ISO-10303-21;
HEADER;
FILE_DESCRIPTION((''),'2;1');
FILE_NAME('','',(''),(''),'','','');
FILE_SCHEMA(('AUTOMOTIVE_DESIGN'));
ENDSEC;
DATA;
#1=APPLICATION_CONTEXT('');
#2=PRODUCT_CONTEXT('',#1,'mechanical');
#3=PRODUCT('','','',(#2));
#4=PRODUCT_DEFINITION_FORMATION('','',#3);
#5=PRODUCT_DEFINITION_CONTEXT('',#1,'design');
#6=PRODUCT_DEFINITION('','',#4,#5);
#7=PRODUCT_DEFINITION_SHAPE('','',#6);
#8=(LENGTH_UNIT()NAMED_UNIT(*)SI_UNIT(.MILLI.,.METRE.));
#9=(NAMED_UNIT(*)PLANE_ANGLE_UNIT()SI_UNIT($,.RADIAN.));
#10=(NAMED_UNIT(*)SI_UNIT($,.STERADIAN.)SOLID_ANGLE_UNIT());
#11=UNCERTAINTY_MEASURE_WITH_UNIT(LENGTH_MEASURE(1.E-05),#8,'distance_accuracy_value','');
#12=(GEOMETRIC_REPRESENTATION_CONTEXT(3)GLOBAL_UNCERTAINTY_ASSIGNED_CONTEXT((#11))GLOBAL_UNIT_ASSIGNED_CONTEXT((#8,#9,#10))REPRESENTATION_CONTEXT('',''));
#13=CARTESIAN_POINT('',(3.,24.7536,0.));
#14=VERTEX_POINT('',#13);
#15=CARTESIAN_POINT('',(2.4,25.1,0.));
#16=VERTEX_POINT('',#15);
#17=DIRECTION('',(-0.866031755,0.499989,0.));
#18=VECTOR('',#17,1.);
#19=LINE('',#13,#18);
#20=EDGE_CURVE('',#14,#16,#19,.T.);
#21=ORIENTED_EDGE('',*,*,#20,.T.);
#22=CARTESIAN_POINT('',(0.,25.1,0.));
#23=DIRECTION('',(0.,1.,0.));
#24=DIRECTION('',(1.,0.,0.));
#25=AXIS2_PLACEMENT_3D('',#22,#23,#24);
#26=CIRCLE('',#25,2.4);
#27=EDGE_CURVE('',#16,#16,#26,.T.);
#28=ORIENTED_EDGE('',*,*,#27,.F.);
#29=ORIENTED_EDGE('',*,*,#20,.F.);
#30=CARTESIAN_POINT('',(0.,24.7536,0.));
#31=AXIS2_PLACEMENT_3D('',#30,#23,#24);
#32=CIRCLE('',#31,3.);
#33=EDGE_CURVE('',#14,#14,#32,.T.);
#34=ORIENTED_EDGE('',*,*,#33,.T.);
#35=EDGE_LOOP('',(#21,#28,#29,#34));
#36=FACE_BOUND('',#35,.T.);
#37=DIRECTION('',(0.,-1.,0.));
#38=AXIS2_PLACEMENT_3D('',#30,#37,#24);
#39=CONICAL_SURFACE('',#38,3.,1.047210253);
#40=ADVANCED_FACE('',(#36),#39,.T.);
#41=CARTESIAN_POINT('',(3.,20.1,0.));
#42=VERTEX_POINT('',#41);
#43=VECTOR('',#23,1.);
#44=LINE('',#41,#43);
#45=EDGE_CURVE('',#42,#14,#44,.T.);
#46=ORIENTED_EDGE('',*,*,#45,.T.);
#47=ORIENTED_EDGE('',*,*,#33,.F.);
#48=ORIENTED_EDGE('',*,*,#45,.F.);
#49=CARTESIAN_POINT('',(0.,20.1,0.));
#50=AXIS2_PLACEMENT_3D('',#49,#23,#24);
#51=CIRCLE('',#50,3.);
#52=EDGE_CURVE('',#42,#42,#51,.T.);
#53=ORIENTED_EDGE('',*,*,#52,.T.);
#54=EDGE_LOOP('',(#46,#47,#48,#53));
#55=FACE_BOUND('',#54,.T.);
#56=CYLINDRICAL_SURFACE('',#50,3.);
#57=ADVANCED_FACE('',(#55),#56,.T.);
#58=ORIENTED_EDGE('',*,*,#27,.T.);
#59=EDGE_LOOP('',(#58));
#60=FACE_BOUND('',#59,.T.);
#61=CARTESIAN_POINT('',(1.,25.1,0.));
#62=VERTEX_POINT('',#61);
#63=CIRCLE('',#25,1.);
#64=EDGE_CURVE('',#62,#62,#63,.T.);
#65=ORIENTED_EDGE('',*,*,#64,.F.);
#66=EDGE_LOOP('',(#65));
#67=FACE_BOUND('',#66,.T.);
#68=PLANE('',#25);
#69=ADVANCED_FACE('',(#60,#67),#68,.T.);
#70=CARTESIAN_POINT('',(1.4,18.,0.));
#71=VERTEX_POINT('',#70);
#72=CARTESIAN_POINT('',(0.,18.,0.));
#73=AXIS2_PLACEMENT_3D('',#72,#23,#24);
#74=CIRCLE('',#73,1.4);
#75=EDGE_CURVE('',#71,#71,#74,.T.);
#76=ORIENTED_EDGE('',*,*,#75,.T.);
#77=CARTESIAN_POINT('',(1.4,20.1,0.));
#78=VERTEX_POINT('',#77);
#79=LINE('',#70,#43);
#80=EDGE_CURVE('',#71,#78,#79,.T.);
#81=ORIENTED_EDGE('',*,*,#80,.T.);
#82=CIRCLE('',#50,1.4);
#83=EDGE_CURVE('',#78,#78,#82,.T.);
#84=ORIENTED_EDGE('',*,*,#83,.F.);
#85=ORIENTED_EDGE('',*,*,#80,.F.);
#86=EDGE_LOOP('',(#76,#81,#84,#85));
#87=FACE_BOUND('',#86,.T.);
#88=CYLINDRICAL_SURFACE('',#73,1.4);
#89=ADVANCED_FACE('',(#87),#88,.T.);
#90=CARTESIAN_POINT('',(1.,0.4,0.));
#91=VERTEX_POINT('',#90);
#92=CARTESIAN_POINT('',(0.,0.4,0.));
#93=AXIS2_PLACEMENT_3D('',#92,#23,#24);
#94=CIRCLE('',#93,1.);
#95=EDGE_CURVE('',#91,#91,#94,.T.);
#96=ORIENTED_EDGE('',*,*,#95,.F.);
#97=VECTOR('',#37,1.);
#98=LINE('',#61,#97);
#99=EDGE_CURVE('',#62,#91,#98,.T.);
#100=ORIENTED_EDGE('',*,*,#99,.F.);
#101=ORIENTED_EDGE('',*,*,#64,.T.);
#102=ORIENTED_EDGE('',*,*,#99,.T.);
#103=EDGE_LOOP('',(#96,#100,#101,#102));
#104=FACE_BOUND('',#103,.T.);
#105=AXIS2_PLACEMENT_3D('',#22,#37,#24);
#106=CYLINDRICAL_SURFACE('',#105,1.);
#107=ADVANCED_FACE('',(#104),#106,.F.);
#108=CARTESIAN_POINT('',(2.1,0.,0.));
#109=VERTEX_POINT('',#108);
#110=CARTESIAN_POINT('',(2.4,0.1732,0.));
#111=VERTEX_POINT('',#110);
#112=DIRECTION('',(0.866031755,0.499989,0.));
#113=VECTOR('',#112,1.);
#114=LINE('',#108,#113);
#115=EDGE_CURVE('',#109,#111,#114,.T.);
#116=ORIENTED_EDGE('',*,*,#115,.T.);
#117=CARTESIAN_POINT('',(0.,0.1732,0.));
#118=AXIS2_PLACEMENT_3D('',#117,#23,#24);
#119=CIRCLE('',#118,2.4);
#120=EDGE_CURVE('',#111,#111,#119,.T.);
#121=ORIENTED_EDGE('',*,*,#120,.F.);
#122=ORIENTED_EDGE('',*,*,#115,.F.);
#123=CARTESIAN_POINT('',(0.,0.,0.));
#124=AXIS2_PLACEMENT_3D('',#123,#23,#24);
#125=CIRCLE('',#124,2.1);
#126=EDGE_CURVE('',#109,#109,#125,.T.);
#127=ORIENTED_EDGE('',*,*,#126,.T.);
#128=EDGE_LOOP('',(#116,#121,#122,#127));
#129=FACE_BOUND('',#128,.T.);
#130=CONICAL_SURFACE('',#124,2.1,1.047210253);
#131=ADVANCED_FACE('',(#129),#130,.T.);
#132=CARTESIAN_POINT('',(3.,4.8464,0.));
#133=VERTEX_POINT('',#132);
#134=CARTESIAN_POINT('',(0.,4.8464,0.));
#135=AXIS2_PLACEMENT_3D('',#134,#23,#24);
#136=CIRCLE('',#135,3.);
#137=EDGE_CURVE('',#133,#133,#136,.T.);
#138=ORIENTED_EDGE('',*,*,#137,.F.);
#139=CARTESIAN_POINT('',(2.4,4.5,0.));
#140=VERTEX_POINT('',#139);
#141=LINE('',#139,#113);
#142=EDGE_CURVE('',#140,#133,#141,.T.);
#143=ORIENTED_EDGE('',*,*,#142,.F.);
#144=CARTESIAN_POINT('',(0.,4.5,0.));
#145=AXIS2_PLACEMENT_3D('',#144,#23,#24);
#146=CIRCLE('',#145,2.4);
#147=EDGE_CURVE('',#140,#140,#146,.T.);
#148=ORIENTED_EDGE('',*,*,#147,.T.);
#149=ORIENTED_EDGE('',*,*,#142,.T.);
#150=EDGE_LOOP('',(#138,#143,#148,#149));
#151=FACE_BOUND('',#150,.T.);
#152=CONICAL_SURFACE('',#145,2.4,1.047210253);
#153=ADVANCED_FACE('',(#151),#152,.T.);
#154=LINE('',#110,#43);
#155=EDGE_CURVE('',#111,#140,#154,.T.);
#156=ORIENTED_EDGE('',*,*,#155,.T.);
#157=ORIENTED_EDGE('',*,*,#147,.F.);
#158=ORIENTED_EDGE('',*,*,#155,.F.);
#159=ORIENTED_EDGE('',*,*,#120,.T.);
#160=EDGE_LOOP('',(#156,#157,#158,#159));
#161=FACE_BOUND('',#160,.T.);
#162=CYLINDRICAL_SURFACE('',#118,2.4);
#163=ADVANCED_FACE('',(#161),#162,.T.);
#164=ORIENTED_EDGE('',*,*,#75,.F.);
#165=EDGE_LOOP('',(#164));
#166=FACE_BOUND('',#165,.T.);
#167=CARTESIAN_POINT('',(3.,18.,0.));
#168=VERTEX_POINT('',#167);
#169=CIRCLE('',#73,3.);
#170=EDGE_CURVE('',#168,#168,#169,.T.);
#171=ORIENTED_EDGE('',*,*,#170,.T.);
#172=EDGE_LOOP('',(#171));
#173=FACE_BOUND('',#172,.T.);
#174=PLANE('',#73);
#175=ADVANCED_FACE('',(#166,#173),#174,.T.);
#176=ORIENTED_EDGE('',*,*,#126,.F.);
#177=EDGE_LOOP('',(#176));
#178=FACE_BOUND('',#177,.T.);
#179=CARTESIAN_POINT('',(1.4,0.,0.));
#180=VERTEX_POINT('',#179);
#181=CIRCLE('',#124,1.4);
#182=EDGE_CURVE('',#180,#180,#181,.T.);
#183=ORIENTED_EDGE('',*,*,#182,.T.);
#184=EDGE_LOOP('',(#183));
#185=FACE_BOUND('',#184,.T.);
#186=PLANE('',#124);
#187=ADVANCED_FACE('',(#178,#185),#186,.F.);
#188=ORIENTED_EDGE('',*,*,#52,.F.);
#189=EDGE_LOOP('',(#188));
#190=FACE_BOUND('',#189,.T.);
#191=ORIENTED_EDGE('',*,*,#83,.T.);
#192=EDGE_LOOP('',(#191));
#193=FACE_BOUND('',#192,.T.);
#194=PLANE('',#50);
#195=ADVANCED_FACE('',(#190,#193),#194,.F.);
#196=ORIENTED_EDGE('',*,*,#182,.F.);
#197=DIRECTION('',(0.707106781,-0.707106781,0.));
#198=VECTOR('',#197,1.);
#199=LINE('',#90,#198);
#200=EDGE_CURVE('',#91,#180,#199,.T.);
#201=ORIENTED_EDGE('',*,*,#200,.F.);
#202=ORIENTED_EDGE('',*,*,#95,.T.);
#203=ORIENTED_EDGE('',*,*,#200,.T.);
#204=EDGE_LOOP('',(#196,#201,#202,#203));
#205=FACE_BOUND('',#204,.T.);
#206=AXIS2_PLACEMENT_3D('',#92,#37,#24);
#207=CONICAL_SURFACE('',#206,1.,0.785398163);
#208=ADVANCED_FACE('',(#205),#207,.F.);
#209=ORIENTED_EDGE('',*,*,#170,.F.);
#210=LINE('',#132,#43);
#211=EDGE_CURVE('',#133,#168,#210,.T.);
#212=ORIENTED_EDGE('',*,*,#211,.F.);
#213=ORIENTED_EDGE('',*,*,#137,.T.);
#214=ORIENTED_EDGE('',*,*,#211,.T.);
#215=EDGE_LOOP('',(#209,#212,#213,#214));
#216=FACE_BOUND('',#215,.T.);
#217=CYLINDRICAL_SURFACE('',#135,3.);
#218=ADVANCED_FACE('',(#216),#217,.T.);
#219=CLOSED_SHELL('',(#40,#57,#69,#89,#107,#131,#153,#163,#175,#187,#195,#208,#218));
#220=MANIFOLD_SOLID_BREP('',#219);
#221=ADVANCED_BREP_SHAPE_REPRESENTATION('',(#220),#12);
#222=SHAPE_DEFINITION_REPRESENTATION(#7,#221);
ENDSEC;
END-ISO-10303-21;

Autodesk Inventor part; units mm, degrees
ref_plane "YZ Plane" through (0, 0, 0) normal (1, 0, 0) x (0, 1, 0)
ref_plane "XZ Plane" through (0, 0, 0) normal (0, 1, 0) x (-1, 0, 0)
ref_plane "XY Plane" through (0, 0, 0) normal (0, 0, 1) x (1, 0, 0)
sketch "Sketch1" plane through (0, 0, 0) normal (0, 0, 1) x (1, 0, 0)
  line L0 (0, 0) -> (0, 10.7581)
  line L1 (1.4, 0) -> (2.1, 0)
  line L2 (2.1, 0) -> (2.4, 0.1732)
  line L3 (2.4, 0.1732) -> (2.4, 4.5)
  line L4 (2.4, 4.5) -> (3, 4.8464)
  line L5 (3, 4.8464) -> (3, 18)
  line L6 (3, 18) -> (1.4, 18)
  line L7 (1.4, 18) -> (1.4, 20.1)
  line L8 (1.4, 20.1) -> (3, 20.1)
  line L9 (3, 20.1) -> (3, 24.7536)
  line L10 (3, 24.7536) -> (2.4, 25.1)
  line L11 (2.4, 25.1) -> (1, 25.1)
  line L12 (1, 25.1) -> (1, 0.4)
  line L13 (1, 0.4) -> (1.4, 0)
  dimension "d0" = 2
  dimension "d1" = 0.4
  dimension "d2" = 0.4
  dimension "d3" = 0.4
  dimension "d4" = 25.1
  dimension "d5" = 20.6
  dimension "d6" = 2.1
  dimension "d7" = 30
  dimension "d8" = 4.2
  dimension "d9" = 4.8
  dimension "d10" = 5
  dimension "d12" = 30
  dimension "d13" = 6
revolve "Revolution1" add sketch "Sketch1" angle 360 about axis through (0, 0, 0) along (0, 1, 0)
thread "Thread1" size "M6x1" class "6g" standard "ANSI Metric M Profile" full length
thread "Thread2" size "M6x1" class "6g" standard "ANSI Metric M Profile" full length
equation "\"d3\" = d2"
properties part number "E3D_Heat_Break"
